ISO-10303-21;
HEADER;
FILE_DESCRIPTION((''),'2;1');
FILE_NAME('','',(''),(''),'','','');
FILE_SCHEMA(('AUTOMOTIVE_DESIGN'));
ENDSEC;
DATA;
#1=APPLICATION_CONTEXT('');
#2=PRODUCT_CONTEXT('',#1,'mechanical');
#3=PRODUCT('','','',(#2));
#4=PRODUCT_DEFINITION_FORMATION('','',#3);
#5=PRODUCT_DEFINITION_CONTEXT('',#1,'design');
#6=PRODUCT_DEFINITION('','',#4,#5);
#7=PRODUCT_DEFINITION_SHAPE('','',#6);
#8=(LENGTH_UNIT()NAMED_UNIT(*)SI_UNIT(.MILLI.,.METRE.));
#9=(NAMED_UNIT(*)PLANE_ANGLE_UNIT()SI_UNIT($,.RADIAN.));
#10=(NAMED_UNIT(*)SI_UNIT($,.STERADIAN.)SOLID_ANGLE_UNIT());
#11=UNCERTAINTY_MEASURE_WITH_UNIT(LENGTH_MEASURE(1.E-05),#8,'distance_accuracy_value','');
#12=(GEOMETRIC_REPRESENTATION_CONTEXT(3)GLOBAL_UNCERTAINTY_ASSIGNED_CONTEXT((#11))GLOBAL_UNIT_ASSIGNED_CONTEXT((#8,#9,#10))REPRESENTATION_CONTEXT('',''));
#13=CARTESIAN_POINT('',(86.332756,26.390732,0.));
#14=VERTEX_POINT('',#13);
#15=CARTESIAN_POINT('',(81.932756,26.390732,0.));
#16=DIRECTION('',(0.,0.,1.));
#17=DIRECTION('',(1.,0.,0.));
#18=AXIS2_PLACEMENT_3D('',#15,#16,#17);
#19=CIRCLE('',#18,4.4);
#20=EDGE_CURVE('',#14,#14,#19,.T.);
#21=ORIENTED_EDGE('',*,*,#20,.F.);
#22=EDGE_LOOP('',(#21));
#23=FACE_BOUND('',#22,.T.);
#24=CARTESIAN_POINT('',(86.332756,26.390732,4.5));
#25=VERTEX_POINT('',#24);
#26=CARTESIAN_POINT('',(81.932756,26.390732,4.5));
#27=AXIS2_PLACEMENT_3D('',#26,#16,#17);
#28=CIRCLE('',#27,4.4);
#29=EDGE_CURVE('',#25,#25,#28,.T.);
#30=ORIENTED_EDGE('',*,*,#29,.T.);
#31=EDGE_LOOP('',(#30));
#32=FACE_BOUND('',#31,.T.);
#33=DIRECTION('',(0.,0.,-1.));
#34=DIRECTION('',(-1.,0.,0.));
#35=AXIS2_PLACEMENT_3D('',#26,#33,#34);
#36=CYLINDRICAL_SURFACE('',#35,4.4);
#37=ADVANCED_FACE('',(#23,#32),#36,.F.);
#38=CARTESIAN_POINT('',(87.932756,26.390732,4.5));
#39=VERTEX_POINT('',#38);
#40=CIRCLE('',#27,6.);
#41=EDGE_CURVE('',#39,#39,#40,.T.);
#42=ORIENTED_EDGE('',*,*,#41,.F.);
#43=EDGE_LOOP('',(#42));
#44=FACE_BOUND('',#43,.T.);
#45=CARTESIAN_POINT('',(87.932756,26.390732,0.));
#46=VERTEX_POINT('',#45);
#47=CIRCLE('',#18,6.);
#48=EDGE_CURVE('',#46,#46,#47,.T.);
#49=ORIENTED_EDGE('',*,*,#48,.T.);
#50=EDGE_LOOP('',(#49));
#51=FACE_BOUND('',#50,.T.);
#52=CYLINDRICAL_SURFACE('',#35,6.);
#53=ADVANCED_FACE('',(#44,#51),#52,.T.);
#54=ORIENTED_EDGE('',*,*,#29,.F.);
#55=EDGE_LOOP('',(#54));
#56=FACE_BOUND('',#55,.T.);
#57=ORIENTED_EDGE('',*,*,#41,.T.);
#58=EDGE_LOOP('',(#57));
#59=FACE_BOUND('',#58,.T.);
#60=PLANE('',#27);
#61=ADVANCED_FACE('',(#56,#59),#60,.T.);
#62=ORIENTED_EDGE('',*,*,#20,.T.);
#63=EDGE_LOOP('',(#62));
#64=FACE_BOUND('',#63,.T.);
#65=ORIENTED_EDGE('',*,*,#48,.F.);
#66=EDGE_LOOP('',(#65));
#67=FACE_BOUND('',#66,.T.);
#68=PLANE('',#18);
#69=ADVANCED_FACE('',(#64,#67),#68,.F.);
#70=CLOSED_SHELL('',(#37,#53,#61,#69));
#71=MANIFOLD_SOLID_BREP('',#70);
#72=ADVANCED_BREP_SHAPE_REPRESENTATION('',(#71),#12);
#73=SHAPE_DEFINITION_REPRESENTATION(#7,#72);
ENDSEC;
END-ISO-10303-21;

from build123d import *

# Parameters (mm, degrees)
ESBO_O1_R                = 6
ESBO_O1_R_2              = 4.4
RESSALTO_EXTRUS_O1_DEPTH = 4.5


with BuildPart() as part:
    # Esboço1 → Ressalto-extrusão1 (new body)
    with BuildSketch(Plane.XY):
        with Locations((81.932756389, 26.390732255)):
            Circle(ESBO_O1_R)
        with Locations((81.932756389, 26.390732255)):
            Circle(ESBO_O1_R_2, mode=Mode.SUBTRACT)
    extrude(amount=RESSALTO_EXTRUS_O1_DEPTH)


solid = part.part
